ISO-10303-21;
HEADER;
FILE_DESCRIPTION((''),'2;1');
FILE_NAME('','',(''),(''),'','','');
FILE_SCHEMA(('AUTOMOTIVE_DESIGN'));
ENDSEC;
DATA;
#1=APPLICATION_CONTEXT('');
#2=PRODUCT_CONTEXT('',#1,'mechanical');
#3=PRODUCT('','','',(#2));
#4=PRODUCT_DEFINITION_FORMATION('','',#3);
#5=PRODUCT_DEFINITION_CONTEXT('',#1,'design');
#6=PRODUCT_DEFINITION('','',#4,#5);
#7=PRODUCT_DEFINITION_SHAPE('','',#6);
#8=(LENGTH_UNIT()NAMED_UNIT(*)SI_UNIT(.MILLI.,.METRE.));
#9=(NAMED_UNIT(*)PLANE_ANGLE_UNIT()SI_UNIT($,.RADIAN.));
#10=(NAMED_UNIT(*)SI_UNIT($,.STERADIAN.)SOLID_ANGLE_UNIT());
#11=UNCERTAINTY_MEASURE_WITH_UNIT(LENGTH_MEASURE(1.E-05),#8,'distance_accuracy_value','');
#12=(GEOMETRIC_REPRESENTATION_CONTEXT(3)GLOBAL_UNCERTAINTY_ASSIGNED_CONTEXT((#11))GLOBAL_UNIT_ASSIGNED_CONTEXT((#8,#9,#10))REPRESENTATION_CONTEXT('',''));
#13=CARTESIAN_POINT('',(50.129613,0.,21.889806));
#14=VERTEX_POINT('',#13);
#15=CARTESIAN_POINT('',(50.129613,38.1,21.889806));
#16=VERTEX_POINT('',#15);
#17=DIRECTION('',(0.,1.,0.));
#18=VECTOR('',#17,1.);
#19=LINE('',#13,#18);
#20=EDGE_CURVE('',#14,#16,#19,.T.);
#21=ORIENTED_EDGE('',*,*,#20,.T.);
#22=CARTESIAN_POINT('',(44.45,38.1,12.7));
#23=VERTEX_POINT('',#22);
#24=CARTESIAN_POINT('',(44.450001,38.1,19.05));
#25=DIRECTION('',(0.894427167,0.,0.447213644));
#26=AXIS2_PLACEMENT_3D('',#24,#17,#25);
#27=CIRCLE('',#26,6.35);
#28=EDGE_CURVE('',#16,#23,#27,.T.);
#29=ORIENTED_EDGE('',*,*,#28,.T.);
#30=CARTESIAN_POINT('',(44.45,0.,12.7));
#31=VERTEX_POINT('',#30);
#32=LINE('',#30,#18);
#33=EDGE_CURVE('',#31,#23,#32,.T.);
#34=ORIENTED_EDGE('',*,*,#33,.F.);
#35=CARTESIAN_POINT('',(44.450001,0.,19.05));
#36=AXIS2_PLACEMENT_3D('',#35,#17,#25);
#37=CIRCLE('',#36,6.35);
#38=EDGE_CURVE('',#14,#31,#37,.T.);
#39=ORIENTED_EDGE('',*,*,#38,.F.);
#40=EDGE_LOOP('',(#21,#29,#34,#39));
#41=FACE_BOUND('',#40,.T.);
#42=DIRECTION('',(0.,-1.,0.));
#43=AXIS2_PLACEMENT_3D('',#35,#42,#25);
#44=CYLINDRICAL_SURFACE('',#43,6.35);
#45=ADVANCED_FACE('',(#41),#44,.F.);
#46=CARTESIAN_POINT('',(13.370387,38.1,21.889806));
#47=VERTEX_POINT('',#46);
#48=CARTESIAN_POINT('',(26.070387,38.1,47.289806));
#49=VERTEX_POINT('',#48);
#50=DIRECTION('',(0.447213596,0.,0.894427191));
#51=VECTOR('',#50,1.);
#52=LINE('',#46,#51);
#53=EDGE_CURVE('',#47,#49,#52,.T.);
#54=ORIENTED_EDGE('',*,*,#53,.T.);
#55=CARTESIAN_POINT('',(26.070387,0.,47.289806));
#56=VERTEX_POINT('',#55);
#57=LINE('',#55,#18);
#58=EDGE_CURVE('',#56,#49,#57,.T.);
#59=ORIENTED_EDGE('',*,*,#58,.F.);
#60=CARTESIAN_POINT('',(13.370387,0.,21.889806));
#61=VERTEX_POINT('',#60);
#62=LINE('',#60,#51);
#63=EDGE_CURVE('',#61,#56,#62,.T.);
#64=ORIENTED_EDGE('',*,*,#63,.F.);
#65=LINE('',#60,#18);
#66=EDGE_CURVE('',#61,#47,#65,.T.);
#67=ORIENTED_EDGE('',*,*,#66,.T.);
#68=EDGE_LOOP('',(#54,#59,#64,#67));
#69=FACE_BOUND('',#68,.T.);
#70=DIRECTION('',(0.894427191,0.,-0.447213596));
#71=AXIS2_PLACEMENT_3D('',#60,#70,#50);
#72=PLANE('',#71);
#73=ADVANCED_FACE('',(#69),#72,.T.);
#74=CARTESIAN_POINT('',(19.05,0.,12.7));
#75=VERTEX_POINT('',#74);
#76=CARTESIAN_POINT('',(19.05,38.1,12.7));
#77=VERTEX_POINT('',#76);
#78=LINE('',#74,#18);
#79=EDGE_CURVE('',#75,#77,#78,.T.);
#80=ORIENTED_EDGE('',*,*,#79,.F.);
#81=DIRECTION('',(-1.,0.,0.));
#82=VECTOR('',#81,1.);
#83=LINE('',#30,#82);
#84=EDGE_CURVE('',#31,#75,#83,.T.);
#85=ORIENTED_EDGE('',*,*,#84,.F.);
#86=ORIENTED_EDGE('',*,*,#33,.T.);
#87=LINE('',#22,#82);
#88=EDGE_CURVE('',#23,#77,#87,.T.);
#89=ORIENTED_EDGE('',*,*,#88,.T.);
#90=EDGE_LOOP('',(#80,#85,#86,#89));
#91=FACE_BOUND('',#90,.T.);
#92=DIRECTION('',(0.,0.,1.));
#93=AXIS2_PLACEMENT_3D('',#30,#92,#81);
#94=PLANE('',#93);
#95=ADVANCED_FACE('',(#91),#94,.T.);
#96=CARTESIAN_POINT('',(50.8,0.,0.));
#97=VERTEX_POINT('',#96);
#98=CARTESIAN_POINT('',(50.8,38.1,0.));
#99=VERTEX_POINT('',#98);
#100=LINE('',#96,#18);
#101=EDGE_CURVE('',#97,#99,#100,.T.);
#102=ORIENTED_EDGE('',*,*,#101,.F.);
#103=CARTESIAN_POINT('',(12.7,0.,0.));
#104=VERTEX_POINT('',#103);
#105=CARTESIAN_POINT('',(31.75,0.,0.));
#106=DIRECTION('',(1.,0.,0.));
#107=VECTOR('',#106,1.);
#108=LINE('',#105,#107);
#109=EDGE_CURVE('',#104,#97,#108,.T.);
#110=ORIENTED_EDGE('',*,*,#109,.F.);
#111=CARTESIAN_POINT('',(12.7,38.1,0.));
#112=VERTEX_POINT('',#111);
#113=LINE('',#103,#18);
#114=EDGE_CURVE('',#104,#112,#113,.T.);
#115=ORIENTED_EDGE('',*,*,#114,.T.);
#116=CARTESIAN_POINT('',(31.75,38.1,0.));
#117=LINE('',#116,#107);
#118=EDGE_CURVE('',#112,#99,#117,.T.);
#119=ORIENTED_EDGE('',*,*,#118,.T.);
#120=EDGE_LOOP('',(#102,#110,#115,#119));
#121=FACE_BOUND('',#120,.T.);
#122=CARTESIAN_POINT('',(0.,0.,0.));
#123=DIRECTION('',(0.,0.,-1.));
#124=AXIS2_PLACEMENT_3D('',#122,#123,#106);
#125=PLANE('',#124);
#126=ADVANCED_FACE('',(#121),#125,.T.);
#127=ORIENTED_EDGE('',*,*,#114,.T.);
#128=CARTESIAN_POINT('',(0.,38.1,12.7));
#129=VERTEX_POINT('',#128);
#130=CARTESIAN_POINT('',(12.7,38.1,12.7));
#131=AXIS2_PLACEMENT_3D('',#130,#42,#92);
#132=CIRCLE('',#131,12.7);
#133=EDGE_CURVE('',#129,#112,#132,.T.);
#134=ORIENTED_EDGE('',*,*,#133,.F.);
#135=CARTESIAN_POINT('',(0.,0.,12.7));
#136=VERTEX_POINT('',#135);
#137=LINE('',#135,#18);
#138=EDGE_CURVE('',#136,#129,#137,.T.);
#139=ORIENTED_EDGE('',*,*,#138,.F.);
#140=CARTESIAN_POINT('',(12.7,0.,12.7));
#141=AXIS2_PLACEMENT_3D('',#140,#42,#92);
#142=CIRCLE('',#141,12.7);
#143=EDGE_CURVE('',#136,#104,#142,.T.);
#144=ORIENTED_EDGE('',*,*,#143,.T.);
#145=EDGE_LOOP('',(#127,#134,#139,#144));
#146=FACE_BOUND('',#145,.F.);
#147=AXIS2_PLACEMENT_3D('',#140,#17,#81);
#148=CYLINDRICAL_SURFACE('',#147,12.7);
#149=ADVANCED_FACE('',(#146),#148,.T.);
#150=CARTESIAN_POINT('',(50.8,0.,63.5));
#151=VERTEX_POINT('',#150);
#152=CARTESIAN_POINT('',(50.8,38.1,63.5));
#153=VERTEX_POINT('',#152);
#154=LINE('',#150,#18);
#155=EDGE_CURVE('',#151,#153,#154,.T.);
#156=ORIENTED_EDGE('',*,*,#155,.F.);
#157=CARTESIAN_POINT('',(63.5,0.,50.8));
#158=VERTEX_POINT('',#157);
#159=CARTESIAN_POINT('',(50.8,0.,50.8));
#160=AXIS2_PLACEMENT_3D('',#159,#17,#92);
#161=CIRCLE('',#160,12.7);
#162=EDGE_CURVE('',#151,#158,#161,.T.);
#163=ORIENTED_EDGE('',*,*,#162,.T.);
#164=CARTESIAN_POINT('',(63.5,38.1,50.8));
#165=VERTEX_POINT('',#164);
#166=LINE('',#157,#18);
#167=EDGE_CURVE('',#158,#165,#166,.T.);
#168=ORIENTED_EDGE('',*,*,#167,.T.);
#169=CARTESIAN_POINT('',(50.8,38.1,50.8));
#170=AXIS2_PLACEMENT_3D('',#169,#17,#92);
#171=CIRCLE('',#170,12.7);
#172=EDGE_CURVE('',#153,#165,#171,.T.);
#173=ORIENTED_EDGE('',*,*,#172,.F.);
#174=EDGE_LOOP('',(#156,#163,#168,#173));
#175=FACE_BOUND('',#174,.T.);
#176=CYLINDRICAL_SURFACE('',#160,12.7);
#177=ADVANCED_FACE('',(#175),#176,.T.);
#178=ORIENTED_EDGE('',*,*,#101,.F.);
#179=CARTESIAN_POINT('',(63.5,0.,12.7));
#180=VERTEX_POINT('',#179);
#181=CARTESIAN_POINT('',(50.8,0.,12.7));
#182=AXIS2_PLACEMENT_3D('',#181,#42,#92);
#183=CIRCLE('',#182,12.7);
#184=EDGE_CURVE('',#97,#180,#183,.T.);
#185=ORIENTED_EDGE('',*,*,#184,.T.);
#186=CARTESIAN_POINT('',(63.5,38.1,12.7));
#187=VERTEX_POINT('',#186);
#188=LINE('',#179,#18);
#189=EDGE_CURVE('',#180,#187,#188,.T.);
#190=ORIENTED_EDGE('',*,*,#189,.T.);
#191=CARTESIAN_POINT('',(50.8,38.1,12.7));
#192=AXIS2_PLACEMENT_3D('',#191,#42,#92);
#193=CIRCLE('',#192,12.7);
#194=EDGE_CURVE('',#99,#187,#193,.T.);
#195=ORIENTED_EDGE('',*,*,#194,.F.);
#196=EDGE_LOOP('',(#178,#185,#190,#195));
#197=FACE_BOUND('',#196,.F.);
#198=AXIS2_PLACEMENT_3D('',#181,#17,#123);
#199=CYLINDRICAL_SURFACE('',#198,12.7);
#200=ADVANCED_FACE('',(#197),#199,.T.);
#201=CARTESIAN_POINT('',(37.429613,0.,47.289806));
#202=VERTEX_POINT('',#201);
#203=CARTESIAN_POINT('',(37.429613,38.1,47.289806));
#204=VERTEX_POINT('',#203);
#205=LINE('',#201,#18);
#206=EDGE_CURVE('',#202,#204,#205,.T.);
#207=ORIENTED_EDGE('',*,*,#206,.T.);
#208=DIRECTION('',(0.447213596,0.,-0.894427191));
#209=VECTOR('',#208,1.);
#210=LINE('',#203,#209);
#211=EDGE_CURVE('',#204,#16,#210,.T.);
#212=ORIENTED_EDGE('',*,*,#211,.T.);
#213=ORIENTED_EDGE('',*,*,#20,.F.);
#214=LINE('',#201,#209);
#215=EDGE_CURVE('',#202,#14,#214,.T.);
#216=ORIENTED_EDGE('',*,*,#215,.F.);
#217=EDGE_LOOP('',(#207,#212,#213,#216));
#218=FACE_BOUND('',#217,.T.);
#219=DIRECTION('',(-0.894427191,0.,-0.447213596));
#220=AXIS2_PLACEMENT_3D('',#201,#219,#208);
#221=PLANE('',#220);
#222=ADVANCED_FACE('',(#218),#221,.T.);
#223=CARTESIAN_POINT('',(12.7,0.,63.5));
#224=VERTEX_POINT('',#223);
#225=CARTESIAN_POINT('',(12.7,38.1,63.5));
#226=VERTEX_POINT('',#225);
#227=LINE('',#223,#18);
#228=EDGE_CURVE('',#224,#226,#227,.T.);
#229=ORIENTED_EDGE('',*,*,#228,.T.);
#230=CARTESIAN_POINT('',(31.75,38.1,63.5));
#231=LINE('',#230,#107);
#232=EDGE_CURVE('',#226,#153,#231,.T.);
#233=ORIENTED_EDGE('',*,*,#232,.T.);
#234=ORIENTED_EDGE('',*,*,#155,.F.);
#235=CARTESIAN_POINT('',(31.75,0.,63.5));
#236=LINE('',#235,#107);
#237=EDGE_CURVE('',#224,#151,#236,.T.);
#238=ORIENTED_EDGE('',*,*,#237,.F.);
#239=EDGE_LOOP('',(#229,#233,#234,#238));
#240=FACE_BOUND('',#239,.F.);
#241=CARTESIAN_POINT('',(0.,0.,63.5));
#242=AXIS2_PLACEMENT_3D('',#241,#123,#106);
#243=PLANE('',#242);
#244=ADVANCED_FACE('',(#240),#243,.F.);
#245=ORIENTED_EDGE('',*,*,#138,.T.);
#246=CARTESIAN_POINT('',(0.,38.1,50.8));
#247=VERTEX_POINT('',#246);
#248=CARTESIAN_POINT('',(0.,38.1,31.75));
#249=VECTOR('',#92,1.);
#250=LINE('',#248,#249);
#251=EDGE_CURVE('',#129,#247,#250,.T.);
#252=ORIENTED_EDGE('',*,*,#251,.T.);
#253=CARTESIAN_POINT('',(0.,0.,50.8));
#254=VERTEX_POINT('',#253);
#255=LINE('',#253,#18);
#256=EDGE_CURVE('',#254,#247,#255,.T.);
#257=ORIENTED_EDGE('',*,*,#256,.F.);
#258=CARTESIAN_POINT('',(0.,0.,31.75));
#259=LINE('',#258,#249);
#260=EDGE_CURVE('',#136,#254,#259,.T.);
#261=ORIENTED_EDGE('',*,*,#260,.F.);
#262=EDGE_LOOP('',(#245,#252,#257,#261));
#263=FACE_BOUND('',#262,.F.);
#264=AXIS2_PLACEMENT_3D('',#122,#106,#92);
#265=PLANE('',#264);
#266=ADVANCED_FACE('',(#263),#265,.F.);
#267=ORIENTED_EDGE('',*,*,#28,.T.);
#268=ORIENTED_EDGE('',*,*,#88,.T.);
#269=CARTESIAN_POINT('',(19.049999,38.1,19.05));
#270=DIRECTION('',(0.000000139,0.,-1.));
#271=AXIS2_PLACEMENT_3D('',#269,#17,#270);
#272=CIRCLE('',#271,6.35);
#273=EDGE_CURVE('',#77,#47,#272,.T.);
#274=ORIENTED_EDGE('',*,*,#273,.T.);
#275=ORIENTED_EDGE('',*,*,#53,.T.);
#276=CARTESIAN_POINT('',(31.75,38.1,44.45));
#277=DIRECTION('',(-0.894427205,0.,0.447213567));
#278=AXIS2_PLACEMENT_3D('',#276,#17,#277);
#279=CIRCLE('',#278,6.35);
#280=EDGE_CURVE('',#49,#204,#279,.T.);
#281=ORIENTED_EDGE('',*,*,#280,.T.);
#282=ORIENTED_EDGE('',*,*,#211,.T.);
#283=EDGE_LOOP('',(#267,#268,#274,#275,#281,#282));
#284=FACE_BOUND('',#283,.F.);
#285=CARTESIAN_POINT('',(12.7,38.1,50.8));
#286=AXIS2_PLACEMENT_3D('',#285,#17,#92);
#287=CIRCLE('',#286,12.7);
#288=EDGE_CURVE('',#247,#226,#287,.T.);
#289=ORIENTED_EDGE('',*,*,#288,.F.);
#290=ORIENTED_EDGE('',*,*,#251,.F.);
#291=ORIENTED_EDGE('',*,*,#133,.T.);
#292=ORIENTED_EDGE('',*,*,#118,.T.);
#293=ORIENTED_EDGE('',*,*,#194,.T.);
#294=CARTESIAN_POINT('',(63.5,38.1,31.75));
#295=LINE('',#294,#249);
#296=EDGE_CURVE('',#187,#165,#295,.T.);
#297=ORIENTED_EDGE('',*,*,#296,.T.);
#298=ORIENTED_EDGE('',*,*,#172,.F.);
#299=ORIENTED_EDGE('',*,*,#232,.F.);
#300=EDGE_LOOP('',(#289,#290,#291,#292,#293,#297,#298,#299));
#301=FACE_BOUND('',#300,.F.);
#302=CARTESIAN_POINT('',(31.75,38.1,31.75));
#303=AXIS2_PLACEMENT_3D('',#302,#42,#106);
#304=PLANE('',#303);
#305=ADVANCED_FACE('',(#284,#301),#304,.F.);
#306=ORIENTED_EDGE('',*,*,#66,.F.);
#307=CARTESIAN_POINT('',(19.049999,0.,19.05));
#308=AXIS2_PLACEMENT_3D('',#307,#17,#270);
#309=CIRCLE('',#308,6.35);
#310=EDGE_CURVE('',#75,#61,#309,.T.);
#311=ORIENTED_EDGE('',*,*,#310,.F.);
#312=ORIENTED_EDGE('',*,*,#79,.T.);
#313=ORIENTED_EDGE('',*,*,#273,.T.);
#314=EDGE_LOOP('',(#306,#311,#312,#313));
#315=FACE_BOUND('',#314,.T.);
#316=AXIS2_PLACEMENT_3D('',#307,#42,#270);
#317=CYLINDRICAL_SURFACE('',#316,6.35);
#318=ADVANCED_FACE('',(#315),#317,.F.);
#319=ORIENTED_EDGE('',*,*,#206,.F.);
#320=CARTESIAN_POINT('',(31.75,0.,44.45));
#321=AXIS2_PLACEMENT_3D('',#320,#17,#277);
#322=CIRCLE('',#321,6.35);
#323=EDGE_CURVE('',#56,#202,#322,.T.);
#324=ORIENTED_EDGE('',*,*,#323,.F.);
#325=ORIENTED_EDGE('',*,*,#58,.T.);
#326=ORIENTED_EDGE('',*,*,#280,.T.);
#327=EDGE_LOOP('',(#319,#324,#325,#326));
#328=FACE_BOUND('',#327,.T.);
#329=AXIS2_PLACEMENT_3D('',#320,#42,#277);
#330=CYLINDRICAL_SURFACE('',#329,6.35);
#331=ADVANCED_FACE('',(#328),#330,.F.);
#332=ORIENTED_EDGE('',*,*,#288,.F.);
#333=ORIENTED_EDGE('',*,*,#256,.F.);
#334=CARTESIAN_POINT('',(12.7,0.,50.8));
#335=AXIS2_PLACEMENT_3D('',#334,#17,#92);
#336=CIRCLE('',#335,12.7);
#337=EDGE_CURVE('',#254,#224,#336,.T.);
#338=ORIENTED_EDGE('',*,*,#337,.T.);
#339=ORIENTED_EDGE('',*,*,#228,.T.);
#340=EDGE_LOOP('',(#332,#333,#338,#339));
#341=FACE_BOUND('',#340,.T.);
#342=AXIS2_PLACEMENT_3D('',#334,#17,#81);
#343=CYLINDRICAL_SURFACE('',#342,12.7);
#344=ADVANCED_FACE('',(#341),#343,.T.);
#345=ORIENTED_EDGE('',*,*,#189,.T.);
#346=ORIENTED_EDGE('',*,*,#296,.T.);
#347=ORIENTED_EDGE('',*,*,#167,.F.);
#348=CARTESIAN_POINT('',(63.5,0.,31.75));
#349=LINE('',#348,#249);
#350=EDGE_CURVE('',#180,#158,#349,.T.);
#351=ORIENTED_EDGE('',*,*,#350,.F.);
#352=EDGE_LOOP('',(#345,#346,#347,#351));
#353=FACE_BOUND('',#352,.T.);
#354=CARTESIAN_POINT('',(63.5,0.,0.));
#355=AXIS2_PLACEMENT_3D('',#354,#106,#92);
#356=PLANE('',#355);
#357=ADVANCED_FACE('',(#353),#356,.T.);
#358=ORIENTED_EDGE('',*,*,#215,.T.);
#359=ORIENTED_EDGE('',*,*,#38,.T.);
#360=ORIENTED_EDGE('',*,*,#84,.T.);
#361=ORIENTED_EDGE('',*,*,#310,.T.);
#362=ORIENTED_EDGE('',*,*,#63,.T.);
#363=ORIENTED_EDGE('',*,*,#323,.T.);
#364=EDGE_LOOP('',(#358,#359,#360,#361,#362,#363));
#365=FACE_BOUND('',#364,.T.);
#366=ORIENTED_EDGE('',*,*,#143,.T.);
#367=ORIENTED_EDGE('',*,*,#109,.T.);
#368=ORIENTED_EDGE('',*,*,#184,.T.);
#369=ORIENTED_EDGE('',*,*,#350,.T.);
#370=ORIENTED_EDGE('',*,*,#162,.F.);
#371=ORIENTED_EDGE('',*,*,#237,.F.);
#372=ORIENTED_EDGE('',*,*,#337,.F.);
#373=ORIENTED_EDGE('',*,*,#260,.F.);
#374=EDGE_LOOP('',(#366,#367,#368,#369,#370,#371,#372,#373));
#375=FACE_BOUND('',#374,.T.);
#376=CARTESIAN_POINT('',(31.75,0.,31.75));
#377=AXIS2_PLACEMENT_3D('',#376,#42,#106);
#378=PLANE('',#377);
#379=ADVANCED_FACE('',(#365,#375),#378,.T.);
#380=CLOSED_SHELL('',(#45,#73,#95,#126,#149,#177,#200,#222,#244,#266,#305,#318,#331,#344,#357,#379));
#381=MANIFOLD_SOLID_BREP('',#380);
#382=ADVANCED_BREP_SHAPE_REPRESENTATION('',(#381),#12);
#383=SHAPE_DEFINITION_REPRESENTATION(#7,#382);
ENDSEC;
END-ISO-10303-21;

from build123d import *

# Parameters (mm, degrees)
F0_W     = 63.5
F0_H     = 63.5
F1_DEPTH = 38.1
F2_R     = 12.7


with BuildPart() as f1:
    # F0 (on Front) → F1 (new body)
    with BuildSketch(Plane.XZ):
        with Locations((31.75, 31.75)):
            Rectangle(F0_W, F0_H)
        with BuildLine():
            ThreePointArc((19.05, 12.7), (13.648367, 15.711607), (13.370387, 21.889806))
            Line((13.370387, 21.889806), (26.070387, 47.289806))
            ThreePointArc((26.070387, 47.289806), (31.75, 50.8), (37.429613, 47.289806))
            Line((37.429613, 47.289806), (50.129613, 21.889806))
            ThreePointArc((50.129613, 21.889806), (49.851633, 15.711607), (44.45, 12.7))
            Line((44.45, 12.7), (19.05, 12.7))
        make_face(mode=Mode.SUBTRACT)
    extrude(amount=-F1_DEPTH)

    # F2
    f2_edges = [f1.edges().sort_by_distance(p)[0] for p in [
        (63.5, 19.05, 63.5),
        (63.5, 19.05, 0),
        (0, 19.05, 0),
        (0, 19.05, 63.5),
    ]]
    fillet(f2_edges, radius=F2_R)


solid = f1.part
